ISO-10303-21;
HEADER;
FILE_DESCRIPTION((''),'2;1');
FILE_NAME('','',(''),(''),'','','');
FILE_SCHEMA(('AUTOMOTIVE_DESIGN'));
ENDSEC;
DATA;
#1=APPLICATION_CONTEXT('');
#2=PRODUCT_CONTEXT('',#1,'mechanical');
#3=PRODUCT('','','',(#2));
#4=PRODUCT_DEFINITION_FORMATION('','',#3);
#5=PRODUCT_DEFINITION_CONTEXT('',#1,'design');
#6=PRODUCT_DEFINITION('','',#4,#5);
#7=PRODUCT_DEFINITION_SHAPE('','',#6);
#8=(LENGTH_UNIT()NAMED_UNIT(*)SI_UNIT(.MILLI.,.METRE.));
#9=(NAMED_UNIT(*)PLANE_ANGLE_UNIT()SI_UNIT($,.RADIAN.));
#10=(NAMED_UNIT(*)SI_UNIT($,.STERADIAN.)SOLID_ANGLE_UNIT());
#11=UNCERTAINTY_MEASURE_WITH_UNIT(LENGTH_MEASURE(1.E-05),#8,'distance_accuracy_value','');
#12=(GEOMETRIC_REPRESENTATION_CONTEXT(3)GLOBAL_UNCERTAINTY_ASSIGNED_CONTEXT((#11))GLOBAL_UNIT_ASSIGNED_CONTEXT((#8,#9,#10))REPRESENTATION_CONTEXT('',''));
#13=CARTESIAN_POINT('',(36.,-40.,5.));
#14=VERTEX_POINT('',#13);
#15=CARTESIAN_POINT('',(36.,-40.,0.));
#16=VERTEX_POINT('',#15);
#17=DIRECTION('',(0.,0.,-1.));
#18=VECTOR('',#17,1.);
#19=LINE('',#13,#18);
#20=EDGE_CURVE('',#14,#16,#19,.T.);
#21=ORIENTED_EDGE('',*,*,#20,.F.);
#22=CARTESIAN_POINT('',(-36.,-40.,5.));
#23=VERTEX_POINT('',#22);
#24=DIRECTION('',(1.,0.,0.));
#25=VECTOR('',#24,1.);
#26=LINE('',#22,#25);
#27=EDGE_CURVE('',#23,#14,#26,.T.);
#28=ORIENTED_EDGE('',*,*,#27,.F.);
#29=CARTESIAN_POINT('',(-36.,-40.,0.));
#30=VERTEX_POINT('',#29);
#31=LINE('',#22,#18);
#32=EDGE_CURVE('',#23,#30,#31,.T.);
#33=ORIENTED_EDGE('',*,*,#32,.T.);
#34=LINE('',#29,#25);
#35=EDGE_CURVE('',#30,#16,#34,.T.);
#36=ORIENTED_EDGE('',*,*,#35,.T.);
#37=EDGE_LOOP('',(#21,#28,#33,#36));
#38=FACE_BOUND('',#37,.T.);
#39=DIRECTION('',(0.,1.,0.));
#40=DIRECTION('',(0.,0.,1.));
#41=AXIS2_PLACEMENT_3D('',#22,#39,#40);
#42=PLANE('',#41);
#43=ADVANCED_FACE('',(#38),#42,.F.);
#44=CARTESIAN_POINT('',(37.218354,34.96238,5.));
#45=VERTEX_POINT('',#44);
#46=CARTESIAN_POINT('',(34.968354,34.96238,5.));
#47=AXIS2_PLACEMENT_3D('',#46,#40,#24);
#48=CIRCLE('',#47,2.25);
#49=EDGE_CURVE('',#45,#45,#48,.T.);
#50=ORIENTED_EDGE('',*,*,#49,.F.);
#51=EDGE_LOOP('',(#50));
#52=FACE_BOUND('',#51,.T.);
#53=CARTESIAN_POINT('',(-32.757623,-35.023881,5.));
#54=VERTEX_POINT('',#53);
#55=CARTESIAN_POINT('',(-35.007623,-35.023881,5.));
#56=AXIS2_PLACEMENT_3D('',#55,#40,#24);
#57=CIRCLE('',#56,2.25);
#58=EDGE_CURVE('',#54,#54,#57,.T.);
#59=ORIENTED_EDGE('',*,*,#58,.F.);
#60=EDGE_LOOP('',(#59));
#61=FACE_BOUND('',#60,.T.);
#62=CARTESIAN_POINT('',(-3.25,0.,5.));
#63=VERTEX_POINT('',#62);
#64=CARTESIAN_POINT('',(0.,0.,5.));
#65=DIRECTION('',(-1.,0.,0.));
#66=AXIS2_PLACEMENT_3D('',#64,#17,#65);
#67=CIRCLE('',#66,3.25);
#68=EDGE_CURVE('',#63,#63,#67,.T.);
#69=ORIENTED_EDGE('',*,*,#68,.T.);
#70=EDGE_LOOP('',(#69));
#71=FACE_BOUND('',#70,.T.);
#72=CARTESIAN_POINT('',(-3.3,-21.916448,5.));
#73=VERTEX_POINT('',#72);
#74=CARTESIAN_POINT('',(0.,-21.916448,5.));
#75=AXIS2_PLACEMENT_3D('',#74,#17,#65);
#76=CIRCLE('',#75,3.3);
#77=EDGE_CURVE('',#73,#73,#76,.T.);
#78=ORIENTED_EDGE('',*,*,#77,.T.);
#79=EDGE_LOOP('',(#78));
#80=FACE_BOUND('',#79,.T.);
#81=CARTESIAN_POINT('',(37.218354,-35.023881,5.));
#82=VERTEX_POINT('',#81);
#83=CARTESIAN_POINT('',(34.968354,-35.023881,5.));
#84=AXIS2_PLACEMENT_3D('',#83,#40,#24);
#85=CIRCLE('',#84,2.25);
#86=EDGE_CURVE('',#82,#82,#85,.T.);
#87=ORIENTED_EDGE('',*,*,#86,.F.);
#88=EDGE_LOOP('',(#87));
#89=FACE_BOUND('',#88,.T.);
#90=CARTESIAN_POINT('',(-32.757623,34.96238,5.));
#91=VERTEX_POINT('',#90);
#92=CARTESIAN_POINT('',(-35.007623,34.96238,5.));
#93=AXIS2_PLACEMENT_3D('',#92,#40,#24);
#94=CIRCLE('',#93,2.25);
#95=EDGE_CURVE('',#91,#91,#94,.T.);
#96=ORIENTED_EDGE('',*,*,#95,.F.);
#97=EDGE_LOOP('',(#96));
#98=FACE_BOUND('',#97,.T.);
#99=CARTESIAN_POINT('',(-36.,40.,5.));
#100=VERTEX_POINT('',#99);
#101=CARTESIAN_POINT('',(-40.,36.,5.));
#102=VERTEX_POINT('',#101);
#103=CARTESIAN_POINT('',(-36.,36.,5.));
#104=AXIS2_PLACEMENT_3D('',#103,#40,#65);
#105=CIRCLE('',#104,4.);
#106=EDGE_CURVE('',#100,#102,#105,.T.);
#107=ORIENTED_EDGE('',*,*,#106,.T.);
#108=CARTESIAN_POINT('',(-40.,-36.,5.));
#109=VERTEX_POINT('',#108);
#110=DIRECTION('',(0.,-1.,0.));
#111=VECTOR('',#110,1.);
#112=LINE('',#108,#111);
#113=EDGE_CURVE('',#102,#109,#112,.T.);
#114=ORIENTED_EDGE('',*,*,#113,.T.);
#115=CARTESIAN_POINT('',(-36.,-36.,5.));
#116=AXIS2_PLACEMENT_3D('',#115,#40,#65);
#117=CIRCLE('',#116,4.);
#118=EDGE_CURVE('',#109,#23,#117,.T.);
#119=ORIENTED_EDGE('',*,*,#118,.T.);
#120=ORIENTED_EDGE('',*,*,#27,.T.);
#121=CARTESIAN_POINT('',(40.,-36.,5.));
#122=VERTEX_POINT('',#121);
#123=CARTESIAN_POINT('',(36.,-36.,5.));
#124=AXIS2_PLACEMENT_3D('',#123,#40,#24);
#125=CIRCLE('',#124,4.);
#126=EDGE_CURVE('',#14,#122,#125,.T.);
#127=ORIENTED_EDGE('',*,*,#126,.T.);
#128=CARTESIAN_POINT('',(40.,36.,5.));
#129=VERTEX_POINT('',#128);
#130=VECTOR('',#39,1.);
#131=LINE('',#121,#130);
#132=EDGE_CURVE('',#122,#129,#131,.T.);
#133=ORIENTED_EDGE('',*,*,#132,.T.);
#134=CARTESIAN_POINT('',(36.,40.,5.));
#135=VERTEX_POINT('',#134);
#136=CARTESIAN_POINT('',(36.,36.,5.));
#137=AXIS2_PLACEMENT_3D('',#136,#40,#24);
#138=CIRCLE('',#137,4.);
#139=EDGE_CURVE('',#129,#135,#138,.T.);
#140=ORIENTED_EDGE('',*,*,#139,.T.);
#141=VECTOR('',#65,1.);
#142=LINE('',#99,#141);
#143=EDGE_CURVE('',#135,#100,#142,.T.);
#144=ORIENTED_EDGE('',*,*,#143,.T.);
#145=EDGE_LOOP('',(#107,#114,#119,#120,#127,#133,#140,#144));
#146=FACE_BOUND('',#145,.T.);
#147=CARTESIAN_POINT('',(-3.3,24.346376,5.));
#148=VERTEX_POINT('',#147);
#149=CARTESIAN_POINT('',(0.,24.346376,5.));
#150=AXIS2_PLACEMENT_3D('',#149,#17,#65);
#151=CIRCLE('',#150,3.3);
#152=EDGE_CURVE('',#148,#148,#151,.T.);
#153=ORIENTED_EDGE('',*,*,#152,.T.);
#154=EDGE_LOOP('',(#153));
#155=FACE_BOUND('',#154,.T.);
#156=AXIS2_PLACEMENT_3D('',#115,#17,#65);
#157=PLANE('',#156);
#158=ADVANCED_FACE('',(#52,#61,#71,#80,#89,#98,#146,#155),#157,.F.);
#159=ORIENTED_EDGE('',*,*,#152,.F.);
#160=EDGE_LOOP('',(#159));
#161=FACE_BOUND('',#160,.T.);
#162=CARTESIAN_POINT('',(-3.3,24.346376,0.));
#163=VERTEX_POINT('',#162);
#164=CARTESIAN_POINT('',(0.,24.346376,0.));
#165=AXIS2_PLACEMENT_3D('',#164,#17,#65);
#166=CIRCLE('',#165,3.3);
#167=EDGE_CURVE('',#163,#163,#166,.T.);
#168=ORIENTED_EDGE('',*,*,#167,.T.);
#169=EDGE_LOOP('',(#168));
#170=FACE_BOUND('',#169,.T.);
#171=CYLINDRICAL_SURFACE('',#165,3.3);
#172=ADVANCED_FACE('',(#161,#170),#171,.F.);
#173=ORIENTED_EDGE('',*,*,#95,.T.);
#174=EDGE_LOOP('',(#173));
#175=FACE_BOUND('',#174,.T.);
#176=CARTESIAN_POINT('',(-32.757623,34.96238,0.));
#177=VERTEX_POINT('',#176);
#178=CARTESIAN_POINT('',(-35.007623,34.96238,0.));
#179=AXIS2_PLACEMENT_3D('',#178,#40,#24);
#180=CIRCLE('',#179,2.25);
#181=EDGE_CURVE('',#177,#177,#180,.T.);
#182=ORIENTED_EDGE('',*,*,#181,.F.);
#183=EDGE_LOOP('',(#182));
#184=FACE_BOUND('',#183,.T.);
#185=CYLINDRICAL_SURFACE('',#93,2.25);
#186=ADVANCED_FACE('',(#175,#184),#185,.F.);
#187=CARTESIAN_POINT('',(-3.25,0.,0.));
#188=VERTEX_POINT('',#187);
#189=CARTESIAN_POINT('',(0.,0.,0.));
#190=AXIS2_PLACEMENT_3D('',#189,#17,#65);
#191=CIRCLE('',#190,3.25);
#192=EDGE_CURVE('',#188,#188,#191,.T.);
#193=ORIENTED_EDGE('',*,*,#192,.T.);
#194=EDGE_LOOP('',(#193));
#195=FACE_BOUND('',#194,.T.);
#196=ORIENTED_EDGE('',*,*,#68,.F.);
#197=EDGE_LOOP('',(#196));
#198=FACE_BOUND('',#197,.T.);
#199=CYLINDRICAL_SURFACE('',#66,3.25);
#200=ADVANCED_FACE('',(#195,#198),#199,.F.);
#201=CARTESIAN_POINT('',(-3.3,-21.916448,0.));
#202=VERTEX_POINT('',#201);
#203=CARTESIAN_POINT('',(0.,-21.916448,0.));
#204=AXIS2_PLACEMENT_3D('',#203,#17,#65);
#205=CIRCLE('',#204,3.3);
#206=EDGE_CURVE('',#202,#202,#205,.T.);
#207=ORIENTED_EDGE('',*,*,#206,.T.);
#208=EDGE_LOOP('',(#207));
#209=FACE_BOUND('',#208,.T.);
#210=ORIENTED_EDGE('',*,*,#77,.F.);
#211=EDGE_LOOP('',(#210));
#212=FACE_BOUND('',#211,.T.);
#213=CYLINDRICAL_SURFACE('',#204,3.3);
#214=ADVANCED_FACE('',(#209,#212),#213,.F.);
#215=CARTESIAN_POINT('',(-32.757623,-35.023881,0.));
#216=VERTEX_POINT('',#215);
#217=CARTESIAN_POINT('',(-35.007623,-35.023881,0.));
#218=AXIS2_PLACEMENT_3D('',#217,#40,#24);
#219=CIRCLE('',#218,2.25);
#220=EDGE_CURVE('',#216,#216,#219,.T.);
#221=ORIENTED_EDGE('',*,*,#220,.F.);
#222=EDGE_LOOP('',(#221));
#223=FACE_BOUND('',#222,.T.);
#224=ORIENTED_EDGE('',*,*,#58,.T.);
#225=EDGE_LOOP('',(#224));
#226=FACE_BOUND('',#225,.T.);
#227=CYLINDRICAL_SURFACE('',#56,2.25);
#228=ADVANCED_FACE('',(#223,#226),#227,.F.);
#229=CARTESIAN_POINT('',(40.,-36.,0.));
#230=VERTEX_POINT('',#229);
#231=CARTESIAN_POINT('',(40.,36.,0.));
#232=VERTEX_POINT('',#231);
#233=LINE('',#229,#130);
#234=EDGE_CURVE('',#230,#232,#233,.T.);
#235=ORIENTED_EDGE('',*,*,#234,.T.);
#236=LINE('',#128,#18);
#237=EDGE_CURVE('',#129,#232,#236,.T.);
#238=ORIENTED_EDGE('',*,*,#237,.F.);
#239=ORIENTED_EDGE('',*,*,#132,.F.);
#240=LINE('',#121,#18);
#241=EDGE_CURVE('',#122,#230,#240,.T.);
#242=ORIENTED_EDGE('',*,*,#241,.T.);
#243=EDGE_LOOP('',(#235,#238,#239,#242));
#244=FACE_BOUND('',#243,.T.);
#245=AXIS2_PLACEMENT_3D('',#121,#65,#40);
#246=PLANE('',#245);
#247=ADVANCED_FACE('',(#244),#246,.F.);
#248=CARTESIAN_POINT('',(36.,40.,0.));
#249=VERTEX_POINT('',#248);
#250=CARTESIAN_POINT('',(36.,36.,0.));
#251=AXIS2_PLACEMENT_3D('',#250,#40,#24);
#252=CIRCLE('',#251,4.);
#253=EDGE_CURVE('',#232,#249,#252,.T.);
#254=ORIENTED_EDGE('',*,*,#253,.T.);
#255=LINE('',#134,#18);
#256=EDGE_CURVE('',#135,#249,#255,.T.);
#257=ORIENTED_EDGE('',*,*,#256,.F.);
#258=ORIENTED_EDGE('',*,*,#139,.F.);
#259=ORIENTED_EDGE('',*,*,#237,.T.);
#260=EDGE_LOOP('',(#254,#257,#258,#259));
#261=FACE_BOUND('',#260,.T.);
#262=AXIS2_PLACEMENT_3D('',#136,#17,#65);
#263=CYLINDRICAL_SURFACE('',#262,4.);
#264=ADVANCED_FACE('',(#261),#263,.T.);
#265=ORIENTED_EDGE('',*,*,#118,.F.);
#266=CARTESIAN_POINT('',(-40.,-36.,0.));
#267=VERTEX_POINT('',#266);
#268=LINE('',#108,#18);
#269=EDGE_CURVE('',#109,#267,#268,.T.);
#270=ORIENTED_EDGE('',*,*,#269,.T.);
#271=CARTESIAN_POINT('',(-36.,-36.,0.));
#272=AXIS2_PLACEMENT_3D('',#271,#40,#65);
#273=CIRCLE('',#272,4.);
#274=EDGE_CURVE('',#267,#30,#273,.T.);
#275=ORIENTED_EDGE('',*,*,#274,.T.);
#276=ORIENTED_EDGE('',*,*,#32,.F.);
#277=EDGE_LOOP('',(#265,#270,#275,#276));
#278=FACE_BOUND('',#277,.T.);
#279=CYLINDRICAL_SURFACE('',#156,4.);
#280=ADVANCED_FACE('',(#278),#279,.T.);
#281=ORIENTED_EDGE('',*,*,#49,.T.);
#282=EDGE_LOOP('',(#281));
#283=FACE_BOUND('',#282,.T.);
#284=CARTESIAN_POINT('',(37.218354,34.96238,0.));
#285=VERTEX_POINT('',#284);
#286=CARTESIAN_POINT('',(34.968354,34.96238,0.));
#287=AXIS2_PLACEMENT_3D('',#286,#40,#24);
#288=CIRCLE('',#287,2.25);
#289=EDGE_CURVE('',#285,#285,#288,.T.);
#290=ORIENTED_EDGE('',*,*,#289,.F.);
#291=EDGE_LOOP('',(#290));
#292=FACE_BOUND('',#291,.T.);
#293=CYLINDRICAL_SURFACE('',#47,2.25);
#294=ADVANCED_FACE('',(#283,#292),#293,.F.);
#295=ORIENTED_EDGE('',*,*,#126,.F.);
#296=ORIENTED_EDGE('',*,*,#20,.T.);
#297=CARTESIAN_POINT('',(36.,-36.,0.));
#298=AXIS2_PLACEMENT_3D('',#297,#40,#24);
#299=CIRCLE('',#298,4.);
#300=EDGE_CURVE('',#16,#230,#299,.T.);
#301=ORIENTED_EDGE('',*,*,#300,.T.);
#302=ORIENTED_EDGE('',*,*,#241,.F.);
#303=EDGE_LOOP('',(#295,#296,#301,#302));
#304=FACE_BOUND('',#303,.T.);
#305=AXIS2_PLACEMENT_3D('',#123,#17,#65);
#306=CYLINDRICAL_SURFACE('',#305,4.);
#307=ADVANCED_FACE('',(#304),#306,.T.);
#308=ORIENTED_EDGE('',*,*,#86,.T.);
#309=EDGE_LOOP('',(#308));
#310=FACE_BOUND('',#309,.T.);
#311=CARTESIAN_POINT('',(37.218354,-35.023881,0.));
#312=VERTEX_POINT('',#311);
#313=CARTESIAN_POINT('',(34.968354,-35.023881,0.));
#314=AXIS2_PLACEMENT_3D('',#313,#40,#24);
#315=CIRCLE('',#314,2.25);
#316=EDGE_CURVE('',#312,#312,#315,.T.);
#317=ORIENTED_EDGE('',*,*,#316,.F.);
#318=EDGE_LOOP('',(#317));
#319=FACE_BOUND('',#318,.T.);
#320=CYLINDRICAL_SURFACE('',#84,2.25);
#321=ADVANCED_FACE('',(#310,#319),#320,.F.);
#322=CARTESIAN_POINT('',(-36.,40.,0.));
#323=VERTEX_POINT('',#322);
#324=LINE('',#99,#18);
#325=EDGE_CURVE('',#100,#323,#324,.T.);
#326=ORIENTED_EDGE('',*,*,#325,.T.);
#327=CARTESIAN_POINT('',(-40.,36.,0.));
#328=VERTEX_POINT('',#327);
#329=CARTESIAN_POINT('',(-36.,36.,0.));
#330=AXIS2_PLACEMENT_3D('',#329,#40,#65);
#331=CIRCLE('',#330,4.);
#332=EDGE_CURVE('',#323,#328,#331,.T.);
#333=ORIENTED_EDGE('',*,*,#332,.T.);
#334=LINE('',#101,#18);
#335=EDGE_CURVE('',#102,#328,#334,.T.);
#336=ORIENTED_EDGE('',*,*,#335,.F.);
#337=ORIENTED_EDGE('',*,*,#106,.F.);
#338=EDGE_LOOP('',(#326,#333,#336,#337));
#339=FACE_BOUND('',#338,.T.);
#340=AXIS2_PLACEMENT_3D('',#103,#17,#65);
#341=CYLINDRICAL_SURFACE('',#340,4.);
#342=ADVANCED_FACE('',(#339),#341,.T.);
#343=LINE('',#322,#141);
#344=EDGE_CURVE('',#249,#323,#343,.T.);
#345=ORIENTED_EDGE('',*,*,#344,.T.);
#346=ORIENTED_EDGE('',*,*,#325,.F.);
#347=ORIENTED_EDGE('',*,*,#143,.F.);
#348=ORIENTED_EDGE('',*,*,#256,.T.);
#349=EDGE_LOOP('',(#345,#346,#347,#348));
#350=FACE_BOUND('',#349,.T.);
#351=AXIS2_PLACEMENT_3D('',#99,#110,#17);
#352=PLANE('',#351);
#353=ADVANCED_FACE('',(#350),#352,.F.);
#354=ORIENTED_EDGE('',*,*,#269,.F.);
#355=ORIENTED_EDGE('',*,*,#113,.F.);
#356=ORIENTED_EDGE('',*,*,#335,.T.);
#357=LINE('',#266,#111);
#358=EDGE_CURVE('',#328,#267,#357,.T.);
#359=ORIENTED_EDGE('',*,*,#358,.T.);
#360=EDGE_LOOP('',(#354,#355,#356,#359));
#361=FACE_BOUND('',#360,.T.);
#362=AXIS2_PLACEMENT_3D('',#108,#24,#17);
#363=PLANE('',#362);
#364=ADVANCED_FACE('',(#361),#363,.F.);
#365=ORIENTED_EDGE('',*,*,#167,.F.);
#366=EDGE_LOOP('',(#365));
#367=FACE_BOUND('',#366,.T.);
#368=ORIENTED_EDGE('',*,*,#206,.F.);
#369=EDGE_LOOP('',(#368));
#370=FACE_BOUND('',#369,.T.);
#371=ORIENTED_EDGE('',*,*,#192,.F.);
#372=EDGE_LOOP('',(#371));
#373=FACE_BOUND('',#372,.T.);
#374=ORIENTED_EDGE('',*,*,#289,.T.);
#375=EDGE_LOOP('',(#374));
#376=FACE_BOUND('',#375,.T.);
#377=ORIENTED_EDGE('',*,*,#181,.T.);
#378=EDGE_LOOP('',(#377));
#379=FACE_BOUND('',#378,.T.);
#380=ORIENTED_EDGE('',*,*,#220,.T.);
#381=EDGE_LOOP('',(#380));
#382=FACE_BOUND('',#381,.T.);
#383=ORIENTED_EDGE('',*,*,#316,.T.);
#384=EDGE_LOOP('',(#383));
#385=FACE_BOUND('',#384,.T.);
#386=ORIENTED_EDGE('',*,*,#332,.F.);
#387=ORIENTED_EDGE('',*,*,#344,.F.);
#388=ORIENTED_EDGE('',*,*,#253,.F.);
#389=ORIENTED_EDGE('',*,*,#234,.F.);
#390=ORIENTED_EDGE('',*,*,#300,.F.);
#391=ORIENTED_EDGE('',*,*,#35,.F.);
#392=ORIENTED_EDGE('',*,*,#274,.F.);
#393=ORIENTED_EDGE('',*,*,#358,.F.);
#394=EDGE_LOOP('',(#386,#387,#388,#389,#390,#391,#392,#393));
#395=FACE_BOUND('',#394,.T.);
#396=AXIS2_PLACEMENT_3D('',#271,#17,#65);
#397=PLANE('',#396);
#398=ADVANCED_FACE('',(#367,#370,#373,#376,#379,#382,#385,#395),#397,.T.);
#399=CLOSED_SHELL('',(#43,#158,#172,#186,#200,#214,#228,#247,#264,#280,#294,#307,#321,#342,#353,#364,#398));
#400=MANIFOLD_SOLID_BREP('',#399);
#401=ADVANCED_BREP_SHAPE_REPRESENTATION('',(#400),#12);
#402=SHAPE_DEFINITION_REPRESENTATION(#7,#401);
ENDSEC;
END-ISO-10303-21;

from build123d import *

# Parameters (mm, degrees)
BOSS_EXTRU_1_DEPTH      = 5
D_GAGEMENT_M41_D        = 4.5
ESQUISSE4_R             = 3.25
ENL_V_MAT_EXTRU_1_DEPTH = 57.789083458
D_GAGEMENT_M61_D        = 6.6


with BuildPart() as part:
    # Esquisse1 → Boss.-Extru.1 (new body)
    with BuildSketch(Plane.XY):
        with BuildLine():
            Line((-36, -40), (36, -40))
            ThreePointArc((36, -40), (38.828427125, -38.828427125), (40, -36))
            Line((40, -36), (40, 36))
            ThreePointArc((40, 36), (38.828427125, 38.828427125), (36, 40))
            Line((36, 40), (-36, 40))
            ThreePointArc((-36, 40), (-38.828427125, 38.828427125), (-40, 36))
            Line((-40, 36), (-40, -36))
            ThreePointArc((-40, -36), (-38.828427125, -38.828427125), (-36, -40))
        make_face()
    extrude(amount=BOSS_EXTRU_1_DEPTH)

    # Dégagement M41 (through all)
    with Locations(Plane.XY.offset(5)):
        with Locations((-35.007622699, 34.962380164), (34.968353645, 34.962380164), (34.968353645, -35.023881333), (-35.007622699, -35.023881333)):
            Hole(D_GAGEMENT_M41_D / 2)

    # Esquisse4 → Enlèv. mat.-Extru.1 (cut, through all)
    with BuildSketch(Plane(origin=(0, 0, 0), x_dir=(-1, 0, 0), z_dir=(0, 0, -1))):
        Circle(ESQUISSE4_R)
    extrude(amount=-ENL_V_MAT_EXTRU_1_DEPTH, mode=Mode.SUBTRACT)

    # Dégagement M61 (through all)
    with Locations(Plane(origin=(0, 0, 0), x_dir=(-1, 0, 0), z_dir=(0, 0, -1))):
        with Locations((0, -21.916448078), (0, 24.346376155)):
            Hole(D_GAGEMENT_M61_D / 2)


solid = part.part
